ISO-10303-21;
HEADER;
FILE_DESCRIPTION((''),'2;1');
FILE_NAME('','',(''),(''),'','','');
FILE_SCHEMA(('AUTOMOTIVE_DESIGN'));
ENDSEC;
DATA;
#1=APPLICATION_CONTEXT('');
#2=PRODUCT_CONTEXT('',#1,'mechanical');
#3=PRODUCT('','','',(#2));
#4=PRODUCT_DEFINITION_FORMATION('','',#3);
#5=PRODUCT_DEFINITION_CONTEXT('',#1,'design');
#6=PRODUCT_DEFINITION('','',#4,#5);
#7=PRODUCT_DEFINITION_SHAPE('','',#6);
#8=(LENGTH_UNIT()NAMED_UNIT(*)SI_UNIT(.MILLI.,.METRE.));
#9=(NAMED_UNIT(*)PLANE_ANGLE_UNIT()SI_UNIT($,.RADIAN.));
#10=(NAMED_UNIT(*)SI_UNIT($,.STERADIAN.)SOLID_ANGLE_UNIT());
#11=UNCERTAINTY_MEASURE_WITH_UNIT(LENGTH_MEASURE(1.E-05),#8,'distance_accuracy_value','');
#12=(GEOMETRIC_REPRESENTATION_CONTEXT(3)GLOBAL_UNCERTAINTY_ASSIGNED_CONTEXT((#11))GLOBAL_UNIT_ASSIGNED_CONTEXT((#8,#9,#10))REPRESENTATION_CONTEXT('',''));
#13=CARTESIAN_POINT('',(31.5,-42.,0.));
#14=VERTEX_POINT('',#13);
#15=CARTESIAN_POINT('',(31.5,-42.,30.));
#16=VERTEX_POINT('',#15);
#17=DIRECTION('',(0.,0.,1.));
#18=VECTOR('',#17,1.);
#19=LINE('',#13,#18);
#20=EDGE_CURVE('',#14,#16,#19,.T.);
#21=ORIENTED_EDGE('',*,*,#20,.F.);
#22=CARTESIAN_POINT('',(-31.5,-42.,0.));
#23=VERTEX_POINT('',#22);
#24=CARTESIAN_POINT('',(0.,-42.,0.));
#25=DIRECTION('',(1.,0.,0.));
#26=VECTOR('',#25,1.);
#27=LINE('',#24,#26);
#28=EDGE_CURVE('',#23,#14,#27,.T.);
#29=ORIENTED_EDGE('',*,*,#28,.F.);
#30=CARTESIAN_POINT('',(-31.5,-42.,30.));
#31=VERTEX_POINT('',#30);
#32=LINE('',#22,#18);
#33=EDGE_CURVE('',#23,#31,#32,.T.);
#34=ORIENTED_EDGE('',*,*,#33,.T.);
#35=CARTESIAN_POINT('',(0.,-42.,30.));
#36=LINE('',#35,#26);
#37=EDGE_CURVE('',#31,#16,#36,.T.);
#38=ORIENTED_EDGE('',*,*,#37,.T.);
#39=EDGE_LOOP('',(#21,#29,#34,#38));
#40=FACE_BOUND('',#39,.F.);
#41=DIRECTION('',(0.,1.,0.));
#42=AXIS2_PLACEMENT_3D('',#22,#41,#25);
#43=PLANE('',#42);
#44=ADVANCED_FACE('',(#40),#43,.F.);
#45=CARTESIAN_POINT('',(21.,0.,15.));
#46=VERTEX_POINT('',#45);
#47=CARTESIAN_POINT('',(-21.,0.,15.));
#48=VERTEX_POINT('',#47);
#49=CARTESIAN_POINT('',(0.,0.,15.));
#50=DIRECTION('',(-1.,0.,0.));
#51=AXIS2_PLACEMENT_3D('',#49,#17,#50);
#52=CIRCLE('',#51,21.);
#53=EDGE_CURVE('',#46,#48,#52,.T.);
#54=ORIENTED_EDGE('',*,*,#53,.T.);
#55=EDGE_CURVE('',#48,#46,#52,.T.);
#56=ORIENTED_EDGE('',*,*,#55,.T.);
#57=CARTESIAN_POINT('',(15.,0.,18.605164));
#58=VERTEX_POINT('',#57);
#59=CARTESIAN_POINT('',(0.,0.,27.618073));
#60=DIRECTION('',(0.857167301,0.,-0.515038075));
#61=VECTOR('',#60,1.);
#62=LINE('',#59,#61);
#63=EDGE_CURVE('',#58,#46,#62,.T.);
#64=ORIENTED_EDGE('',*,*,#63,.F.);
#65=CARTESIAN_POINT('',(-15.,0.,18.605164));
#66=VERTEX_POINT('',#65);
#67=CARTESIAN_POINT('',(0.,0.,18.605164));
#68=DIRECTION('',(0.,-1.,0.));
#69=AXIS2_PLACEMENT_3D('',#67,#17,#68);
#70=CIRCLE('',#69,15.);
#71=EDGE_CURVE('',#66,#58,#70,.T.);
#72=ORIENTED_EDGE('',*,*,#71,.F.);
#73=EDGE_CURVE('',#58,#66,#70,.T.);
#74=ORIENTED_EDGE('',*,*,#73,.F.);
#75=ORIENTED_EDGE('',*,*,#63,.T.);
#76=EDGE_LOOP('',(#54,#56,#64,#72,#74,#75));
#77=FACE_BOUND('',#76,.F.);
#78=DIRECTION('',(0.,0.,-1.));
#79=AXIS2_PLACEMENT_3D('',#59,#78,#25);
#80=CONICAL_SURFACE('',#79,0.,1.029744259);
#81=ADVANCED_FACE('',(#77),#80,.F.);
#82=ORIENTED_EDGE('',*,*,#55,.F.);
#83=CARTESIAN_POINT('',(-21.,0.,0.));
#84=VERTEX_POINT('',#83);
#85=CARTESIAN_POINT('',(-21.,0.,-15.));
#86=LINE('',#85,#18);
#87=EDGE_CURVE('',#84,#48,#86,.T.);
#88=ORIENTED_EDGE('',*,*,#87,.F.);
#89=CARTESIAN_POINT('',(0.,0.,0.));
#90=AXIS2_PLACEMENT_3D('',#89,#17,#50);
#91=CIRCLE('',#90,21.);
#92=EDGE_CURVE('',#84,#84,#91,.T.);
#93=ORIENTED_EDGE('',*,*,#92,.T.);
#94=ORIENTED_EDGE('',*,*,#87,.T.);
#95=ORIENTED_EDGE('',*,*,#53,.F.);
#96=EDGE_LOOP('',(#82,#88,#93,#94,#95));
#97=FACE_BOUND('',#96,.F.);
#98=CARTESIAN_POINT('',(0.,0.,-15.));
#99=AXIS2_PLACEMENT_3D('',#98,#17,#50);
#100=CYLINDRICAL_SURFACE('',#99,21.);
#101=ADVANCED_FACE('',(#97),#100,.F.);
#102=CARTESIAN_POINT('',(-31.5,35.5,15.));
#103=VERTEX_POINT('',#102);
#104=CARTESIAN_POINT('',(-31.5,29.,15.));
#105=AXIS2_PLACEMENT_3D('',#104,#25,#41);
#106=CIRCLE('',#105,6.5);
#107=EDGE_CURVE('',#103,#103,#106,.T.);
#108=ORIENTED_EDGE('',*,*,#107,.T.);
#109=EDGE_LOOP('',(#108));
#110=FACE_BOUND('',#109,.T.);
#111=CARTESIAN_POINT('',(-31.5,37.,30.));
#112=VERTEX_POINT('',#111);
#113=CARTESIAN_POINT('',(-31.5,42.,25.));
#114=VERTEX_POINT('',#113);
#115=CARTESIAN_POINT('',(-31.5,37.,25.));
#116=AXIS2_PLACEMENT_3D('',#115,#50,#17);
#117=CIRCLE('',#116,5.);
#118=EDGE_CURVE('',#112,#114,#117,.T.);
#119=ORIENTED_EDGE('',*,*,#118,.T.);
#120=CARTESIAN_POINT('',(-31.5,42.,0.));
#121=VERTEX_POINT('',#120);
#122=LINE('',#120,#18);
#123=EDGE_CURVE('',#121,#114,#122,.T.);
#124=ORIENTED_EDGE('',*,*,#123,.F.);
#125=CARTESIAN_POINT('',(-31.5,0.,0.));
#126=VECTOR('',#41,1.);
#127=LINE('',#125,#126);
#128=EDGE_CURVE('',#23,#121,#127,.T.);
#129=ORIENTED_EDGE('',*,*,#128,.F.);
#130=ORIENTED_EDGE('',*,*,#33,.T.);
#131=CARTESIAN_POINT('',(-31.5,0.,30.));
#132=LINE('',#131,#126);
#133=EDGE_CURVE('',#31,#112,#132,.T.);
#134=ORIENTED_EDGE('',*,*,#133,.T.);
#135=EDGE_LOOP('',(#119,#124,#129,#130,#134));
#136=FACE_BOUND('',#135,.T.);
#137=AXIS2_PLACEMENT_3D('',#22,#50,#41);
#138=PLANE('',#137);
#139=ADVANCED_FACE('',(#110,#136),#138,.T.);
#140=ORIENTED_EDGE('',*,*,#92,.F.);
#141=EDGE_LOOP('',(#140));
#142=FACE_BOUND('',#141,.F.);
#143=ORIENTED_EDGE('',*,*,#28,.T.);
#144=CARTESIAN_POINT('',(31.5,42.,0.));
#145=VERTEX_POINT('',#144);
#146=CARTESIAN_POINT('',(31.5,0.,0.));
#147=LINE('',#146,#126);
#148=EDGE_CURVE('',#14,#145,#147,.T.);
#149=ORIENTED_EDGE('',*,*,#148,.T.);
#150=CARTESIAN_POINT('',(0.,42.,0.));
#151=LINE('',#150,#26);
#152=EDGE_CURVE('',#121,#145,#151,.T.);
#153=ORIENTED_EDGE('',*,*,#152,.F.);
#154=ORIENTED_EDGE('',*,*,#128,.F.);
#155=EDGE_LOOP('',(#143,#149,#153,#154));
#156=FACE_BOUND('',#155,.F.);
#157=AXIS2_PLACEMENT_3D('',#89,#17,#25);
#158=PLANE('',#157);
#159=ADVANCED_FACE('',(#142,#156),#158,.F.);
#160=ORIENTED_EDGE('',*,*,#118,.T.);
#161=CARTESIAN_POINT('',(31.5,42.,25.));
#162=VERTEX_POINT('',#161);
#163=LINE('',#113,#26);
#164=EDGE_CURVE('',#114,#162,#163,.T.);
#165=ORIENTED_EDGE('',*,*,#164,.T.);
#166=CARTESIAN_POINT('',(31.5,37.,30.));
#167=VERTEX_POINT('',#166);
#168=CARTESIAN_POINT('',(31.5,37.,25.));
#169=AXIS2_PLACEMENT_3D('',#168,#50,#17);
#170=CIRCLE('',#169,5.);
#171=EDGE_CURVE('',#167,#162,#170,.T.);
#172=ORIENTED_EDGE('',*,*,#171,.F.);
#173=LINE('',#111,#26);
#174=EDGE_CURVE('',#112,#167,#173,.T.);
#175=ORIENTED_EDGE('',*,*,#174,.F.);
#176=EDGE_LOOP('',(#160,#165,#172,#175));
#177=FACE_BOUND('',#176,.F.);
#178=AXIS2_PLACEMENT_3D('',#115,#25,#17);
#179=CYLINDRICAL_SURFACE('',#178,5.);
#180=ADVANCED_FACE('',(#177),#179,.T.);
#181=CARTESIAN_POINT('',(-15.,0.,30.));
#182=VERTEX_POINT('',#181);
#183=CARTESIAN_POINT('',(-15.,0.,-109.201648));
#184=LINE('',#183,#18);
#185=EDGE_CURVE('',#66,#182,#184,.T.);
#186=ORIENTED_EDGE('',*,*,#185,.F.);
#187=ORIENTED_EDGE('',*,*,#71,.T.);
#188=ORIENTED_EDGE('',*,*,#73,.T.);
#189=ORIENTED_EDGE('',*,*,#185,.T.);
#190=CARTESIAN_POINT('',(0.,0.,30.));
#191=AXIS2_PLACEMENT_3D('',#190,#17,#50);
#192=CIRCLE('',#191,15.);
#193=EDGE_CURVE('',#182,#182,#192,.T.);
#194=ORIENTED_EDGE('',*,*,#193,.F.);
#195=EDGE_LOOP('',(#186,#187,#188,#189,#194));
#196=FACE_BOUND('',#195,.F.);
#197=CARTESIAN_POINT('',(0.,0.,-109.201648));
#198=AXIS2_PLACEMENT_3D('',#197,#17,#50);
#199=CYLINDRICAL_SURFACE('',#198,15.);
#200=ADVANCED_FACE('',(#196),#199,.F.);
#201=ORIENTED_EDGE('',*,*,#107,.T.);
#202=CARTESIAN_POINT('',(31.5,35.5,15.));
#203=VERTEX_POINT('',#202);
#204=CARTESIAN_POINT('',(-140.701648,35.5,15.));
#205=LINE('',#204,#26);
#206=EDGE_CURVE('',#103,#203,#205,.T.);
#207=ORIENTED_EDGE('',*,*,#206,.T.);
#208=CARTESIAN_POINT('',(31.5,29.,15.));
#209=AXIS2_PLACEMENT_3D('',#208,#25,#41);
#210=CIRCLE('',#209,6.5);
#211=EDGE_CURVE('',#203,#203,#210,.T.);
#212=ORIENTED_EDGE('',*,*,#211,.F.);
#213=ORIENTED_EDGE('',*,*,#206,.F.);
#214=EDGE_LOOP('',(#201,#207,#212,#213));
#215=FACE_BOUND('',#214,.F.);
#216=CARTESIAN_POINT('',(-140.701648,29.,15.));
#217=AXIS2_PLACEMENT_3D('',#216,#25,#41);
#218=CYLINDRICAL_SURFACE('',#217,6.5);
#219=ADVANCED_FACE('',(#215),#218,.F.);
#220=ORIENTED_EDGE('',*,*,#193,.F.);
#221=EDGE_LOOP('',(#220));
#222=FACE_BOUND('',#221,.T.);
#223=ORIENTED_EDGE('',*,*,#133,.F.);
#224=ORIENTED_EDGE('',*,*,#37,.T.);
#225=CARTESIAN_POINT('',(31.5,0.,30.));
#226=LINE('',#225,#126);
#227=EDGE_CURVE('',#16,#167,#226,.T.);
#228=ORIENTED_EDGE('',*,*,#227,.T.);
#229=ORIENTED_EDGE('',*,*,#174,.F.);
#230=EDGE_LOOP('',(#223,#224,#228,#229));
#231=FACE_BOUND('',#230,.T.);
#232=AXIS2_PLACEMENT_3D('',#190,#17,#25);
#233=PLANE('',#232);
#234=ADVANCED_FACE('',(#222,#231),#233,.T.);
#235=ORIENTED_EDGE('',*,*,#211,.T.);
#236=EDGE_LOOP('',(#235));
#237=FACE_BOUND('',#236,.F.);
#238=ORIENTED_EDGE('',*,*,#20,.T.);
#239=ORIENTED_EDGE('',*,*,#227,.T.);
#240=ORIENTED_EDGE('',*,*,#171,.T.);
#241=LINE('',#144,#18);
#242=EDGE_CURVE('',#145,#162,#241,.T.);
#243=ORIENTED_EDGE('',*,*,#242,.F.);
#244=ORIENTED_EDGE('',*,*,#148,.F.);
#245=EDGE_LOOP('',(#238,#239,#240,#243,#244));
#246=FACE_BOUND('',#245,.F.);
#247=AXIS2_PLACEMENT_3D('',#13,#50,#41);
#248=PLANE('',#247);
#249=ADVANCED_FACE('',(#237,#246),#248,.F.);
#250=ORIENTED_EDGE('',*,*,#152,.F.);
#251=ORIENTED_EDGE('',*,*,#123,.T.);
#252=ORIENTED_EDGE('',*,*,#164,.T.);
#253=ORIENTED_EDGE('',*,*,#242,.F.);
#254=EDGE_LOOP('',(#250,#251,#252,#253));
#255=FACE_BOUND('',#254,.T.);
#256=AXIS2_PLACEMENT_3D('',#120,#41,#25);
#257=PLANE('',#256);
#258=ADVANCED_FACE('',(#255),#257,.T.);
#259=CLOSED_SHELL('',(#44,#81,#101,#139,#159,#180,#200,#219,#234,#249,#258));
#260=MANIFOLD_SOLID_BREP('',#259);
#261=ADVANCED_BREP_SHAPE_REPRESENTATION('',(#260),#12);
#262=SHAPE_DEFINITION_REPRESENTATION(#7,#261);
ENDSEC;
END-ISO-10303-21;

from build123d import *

# Parameters (mm, degrees)
F0_W     = 63
F0_H     = 84
F2_DEPTH = 30
F3_D     = 30
F5_D     = 42
F5_DEPTH = 15
F5_TIP   = 12.6180729996
F7_D     = 13
F8_R     = 5


with BuildPart() as f2:
    # F0 (on Top) → F2 (new body)
    with BuildSketch(Plane.XY):
        Rectangle(F0_W, F0_H)
    extrude(amount=F2_DEPTH)

    # F3 (through all)
    with Locations(Plane(origin=(0, 0, 0), x_dir=(1, 0, 0), z_dir=(0, 0, -1))):
        with Locations((0, 0)):
            Hole(F3_D / 2)

    # F5
    with Locations(Plane(origin=(0, 0, 0), x_dir=(1, 0, 0), z_dir=(0, 0, -1))):
        with Locations((0, 0)):
            Hole(F5_D / 2, depth=F5_DEPTH)
            with Locations((0, 0, -(F5_DEPTH + F5_TIP / 2))):  # 118° drill point
                Cone(0, F5_D / 2, F5_TIP, mode=Mode.SUBTRACT)

    # F7 (through all)
    with Locations(Plane(origin=(-31.5, 0, 0), x_dir=(0, -1, 0), z_dir=(-1, 0, 0))):
        with Locations((-29, 15)):
            Hole(F7_D / 2)

    # F8
    f8_edges = [f2.edges().sort_by_distance(p)[0] for p in [
        (0, 42, 30),
    ]]
    fillet(f8_edges, radius=F8_R)


solid = f2.part
